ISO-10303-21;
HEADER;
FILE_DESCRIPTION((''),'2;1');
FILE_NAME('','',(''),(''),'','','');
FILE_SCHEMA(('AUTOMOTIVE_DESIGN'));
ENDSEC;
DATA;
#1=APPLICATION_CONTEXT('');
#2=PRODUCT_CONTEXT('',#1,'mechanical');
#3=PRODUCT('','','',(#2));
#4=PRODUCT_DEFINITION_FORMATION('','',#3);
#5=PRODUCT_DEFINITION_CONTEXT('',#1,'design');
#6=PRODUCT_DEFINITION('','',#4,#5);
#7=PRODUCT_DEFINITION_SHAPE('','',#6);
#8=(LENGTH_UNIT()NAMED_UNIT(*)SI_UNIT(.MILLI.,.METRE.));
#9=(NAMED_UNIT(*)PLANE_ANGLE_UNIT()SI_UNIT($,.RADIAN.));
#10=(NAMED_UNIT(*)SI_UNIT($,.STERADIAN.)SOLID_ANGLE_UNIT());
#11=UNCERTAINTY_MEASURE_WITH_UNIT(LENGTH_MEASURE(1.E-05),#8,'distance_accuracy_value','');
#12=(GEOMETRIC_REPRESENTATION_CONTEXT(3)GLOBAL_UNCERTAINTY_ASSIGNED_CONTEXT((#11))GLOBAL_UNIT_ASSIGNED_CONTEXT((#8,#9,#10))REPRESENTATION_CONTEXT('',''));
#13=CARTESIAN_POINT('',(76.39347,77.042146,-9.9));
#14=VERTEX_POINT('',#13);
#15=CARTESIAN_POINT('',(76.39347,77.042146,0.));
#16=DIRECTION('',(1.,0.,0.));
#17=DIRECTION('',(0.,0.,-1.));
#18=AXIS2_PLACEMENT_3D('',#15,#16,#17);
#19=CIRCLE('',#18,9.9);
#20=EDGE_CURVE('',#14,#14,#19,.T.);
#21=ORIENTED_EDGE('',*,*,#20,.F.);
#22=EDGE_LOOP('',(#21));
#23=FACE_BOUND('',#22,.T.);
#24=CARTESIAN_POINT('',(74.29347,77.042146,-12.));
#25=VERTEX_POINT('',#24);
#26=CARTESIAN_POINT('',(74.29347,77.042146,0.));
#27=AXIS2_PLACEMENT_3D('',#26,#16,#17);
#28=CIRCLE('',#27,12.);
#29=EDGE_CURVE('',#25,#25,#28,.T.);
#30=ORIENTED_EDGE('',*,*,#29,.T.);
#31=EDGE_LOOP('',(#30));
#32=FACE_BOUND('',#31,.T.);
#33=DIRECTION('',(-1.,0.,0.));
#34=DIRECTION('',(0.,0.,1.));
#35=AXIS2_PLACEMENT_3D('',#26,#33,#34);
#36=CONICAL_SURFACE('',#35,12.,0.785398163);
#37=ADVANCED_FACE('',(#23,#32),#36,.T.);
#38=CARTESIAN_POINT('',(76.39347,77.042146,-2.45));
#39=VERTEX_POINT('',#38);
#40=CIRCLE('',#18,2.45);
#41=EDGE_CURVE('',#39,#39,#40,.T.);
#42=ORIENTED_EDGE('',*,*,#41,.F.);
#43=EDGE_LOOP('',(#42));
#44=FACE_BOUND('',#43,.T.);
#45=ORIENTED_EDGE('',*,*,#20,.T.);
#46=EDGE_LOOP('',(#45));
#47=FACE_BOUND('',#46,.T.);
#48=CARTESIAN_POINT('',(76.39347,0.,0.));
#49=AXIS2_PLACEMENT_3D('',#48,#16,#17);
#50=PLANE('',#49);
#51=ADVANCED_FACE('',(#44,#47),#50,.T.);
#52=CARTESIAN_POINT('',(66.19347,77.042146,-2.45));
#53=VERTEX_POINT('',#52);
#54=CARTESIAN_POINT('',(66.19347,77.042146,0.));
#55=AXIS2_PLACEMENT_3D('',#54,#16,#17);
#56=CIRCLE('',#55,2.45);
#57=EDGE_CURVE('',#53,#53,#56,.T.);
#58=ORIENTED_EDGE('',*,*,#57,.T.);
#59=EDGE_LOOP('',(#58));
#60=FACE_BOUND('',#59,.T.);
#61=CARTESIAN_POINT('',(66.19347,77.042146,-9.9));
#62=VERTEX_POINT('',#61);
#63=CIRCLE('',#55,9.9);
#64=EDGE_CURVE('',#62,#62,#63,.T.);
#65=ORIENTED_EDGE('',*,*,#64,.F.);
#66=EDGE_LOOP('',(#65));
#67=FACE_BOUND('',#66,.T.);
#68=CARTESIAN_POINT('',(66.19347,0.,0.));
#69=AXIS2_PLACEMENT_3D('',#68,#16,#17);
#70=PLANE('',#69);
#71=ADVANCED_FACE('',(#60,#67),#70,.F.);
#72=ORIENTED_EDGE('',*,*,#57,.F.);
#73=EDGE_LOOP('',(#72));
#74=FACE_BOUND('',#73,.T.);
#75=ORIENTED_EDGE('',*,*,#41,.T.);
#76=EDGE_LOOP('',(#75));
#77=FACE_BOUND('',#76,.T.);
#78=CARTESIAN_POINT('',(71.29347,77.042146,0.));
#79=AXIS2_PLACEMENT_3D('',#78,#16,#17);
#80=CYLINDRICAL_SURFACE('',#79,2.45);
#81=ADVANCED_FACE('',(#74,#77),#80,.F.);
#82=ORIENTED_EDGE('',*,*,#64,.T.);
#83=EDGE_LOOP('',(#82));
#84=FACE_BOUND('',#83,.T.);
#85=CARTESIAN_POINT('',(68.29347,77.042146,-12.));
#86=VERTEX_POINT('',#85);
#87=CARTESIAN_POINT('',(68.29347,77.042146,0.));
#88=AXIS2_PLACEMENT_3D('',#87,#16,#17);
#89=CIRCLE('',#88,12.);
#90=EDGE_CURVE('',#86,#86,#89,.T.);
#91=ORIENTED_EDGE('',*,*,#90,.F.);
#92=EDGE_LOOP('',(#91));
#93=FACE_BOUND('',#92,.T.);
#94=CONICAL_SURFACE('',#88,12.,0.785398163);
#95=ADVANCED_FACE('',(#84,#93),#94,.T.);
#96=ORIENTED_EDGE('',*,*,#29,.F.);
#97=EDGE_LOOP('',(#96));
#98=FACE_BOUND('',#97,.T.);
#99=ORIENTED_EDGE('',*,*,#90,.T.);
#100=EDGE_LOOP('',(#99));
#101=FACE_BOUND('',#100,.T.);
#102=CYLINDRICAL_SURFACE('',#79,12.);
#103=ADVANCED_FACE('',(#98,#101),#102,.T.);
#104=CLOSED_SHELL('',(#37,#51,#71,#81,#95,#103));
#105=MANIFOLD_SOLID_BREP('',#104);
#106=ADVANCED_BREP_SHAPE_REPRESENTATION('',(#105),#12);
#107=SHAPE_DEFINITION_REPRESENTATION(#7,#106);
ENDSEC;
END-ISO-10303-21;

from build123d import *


with BuildPart() as part:
    # Croquis1 → Revolución1 (revolve)
    with BuildSketch(Plane.XY):
        Polygon((74.293469974, 89.042145638), (68.293469974, 89.042145638), (66.193469974, 86.942145638), (66.193469974, 79.492145638), (68.293469974, 79.492145638), (74.293469974, 79.492145638), (76.393469974, 79.492145638), (76.393469974, 86.942145638), align=None)
    revolve(axis=Axis((71.293469974, 77.042145638, 0), (-1, 0, 0)))


solid = part.part
